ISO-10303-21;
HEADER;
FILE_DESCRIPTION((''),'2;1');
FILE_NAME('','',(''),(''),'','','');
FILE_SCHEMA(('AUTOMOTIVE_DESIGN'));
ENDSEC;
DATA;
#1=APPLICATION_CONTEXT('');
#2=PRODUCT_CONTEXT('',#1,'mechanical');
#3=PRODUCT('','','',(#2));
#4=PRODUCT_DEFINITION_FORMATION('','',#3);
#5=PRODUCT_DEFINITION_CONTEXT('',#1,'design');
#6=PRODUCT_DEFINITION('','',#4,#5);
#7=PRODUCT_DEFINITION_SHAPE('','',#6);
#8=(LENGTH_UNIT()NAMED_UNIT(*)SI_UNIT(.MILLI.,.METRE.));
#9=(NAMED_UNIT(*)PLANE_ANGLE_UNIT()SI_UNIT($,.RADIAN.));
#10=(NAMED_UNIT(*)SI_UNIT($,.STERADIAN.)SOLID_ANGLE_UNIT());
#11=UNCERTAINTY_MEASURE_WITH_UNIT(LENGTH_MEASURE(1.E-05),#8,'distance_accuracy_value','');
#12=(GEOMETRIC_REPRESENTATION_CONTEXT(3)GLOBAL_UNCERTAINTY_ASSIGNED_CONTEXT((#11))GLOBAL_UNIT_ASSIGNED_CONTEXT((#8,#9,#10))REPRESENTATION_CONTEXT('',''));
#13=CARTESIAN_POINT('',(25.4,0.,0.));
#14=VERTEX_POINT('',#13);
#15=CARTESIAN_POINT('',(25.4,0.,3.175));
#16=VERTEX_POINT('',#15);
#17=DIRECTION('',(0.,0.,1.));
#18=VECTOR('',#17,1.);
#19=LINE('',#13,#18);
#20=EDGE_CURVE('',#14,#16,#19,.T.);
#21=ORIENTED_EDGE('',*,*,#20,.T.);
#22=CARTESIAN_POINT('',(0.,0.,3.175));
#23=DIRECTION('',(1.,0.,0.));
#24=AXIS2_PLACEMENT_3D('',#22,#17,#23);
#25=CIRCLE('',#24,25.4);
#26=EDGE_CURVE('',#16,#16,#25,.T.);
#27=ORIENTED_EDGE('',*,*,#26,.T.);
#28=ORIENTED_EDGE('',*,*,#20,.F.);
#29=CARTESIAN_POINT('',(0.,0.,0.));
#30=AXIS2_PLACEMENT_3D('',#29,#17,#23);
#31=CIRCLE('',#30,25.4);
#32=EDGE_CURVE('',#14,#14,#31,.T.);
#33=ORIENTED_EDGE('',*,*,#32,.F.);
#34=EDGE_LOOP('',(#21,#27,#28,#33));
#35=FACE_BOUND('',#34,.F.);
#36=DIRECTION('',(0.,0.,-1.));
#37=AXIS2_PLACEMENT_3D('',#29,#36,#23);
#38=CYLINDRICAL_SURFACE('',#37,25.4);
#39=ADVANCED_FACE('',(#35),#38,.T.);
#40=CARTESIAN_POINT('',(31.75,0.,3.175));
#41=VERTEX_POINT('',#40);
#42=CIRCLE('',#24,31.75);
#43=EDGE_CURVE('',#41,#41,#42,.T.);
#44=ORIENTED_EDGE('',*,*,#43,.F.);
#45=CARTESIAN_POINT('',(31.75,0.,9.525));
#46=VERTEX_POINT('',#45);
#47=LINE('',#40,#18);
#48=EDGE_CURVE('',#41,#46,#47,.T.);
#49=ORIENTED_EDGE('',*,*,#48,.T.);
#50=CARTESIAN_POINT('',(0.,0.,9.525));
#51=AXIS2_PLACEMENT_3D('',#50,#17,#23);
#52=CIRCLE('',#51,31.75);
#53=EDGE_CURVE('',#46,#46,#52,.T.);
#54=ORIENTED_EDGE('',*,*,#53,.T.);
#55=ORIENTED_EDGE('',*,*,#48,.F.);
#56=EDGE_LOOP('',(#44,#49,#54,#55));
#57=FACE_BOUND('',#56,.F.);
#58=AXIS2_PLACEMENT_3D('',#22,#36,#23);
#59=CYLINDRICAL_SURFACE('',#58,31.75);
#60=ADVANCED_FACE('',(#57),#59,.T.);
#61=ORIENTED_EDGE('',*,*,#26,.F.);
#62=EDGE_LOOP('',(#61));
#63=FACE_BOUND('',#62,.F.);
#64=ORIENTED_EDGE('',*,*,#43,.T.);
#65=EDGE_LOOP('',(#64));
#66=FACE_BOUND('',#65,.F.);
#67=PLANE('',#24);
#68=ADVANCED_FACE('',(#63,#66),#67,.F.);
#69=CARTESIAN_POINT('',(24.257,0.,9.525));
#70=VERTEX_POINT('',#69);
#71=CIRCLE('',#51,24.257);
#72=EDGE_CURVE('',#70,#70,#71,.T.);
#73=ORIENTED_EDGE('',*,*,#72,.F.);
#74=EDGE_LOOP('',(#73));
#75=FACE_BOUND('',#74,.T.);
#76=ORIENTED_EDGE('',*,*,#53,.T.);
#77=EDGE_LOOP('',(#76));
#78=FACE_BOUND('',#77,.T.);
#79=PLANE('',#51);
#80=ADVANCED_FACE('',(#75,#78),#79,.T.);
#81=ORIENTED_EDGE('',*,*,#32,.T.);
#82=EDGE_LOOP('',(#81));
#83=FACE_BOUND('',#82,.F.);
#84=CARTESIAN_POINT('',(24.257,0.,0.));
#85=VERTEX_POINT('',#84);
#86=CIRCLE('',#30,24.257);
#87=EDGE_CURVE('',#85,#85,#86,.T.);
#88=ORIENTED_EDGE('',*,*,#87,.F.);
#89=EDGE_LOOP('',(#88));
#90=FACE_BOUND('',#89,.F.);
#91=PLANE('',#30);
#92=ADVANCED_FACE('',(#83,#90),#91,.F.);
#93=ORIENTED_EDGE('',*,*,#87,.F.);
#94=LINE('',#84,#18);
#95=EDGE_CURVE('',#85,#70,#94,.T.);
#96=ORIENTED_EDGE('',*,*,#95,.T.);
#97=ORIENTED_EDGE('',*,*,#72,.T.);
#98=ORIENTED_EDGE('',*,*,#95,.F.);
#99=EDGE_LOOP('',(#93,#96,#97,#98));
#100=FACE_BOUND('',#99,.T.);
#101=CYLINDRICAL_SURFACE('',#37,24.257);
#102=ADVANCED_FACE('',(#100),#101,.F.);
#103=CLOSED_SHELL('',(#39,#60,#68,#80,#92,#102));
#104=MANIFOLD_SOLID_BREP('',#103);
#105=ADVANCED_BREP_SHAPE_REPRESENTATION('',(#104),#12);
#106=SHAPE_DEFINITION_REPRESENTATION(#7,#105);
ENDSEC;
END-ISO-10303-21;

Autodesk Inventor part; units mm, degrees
ref_plane "YZ Plane" through (0, 0, 0) normal (1, 0, 0) x (0, 1, 0)
ref_plane "XZ Plane" through (0, 0, 0) normal (0, 1, 0) x (-1, 0, 0)
ref_plane "XY Plane" through (0, 0, 0) normal (0, 0, 1) x (1, 0, 0)
sketch "Sketch1" plane through (0, 0, 0) normal (0, 0, 1) x (1, 0, 0)
  circle A0 centre (0, 0) radius 24.257
  circle A1 centre (0, 0) radius 25.4
  dimension "d0" = 48.514
  dimension "d1" = 50.8
extrude "Extrusion1" add sketch "Sketch1" along normal blind 3.175
sketch "Sketch2" plane through (0, 0, 3.175) normal (0, 0, 1) x (1, 0, 0)
  circle A0 centre (0, 0) radius 24.257 projected
  circle A1 centre (0, 0) radius 31.75
  dimension "d4" = 63.5
extrude "Extrusion2" add sketch "Sketch2" along normal blind 6.35
properties part number "MaleFlange_3DPrint"
